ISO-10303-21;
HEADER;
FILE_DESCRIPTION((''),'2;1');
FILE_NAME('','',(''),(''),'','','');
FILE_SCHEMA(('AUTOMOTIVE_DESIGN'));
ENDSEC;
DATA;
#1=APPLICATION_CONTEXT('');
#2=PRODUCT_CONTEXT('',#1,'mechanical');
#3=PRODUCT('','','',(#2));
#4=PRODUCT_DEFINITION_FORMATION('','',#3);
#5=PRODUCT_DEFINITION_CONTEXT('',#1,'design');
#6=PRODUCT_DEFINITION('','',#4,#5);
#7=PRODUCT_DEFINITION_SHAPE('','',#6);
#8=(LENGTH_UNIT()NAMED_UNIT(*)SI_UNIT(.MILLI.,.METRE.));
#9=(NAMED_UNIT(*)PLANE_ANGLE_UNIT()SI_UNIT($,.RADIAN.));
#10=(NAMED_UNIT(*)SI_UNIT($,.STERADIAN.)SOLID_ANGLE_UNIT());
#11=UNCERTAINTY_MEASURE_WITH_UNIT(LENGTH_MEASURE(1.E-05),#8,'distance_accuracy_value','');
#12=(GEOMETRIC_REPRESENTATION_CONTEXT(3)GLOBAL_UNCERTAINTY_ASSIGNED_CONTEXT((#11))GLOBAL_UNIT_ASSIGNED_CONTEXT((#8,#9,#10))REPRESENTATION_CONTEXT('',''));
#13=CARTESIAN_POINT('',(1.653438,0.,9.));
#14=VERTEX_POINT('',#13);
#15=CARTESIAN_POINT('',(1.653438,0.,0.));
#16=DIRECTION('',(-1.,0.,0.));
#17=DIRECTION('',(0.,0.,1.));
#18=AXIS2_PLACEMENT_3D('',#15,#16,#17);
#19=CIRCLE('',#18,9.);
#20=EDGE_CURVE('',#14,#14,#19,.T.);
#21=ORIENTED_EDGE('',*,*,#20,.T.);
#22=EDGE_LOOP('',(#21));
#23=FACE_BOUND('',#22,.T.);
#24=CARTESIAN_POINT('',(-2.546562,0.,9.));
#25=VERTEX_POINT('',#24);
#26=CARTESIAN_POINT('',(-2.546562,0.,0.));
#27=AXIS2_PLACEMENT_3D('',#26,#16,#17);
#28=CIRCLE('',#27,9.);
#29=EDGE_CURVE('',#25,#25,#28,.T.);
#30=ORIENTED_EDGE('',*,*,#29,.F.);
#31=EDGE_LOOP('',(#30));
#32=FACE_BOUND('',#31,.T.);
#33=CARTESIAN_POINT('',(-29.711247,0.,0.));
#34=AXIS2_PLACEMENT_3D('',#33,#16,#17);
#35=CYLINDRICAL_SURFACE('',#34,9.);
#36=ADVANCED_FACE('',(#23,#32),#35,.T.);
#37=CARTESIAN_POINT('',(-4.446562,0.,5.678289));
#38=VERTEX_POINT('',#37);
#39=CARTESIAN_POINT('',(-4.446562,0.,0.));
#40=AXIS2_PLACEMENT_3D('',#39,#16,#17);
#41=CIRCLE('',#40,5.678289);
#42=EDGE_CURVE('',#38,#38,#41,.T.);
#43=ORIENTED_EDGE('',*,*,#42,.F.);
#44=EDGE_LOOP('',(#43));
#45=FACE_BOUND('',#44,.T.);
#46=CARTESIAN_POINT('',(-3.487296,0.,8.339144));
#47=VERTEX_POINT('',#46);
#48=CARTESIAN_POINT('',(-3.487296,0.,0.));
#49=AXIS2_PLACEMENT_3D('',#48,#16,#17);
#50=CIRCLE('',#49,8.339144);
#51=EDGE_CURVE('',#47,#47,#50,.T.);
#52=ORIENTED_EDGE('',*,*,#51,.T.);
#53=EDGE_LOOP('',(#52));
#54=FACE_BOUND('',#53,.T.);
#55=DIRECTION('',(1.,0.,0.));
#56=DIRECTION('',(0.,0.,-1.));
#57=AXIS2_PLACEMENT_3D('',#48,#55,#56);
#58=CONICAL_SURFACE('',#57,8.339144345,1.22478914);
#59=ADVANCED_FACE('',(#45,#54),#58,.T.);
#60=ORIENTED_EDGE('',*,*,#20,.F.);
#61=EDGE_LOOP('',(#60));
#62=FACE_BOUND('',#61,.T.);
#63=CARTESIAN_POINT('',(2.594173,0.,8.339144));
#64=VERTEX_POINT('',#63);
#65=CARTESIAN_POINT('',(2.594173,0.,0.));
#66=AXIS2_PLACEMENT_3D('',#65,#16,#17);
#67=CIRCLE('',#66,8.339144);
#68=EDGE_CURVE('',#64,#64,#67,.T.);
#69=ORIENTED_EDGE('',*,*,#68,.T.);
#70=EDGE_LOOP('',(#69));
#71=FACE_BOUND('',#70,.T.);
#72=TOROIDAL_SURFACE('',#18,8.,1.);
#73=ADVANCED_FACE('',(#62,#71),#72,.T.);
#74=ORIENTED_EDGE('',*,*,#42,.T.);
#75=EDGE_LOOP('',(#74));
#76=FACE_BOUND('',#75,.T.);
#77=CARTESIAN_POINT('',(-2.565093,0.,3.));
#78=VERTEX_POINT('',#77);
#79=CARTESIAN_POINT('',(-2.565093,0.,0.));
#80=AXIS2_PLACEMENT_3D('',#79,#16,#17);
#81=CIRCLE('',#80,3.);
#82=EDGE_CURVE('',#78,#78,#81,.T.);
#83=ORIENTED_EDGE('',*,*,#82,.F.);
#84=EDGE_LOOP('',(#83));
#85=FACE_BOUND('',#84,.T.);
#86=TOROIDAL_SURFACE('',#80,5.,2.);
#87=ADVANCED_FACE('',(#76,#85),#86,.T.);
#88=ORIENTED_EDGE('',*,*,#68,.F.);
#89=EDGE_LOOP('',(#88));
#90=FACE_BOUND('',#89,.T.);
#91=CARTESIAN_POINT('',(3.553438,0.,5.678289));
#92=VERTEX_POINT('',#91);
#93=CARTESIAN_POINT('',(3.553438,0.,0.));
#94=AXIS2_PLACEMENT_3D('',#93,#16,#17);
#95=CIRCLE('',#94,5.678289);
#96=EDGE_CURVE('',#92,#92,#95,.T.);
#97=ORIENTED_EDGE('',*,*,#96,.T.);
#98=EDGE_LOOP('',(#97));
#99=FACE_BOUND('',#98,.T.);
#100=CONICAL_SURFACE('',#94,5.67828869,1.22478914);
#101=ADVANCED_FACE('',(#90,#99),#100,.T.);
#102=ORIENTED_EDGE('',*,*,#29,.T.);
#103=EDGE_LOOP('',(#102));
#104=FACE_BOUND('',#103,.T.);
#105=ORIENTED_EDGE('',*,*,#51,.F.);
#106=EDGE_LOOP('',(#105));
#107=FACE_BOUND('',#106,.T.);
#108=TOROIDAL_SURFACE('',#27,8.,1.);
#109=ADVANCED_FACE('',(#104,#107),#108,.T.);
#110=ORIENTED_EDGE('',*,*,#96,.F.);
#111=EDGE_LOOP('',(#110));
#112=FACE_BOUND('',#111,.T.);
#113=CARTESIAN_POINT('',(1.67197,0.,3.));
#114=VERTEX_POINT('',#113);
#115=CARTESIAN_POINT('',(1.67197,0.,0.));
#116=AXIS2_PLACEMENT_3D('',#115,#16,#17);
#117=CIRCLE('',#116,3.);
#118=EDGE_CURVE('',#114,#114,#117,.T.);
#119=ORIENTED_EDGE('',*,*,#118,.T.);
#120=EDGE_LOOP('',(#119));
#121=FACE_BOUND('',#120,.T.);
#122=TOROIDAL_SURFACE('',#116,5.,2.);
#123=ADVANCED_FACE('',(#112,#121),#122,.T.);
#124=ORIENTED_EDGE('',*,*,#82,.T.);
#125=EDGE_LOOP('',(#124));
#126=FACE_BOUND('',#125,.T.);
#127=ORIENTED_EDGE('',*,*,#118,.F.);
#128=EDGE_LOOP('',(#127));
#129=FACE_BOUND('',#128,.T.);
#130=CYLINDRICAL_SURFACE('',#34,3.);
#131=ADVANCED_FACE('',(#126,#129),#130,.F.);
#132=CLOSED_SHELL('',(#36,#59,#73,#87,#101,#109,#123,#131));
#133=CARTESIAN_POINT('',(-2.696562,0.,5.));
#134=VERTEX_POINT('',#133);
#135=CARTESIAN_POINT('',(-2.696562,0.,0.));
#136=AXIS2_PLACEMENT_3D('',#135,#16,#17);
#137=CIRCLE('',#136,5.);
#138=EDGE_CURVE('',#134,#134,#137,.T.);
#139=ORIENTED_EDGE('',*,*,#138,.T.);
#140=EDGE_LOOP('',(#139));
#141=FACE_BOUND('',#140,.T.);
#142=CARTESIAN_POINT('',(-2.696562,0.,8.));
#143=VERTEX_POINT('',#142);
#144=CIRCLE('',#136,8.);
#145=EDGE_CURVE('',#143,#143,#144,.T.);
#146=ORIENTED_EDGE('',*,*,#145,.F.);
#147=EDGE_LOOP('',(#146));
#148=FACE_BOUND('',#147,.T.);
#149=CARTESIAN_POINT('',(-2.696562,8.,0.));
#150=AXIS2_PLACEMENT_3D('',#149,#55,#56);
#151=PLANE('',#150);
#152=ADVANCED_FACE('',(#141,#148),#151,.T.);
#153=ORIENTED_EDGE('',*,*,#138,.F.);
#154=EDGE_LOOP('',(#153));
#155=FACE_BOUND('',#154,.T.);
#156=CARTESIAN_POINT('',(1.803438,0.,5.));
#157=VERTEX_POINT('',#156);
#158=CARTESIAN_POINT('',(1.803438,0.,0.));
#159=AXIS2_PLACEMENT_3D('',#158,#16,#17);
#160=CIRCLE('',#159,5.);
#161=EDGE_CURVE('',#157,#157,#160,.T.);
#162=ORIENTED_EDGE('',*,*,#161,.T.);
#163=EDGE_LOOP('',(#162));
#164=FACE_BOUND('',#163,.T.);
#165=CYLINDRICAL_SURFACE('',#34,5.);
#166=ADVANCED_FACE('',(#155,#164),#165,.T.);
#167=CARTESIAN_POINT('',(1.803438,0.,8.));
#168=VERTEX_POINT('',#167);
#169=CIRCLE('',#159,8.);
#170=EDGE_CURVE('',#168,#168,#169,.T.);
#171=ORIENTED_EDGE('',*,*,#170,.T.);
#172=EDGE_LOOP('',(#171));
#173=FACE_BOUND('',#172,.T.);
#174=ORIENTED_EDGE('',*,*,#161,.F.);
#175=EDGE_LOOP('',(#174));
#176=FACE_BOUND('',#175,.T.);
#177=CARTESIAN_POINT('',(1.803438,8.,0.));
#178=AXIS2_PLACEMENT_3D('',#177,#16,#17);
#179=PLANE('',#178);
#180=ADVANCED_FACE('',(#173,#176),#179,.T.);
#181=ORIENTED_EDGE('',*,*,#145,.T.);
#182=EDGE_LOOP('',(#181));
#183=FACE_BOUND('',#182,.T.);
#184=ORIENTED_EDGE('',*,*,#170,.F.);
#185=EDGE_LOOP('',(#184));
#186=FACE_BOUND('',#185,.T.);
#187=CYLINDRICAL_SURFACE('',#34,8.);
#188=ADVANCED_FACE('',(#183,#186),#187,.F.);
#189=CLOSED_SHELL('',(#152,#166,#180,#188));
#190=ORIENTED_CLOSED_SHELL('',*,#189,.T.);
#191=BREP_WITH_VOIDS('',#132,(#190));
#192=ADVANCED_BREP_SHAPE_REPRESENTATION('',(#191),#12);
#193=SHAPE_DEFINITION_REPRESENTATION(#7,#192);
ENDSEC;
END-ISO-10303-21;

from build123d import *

# Parameters (mm, degrees)
SKETCH_1_W = 4.5
SKETCH_1_H = 3


with BuildPart() as part:
    # Эскиз1 → Повернуть1 (revolve)
    with BuildSketch(Plane.XY, mode=Mode.PRIVATE) as revolve_1_sk:
        with BuildLine():
            Line((2.59417268, 8.339144345), (3.553438332, 5.67828869))
            ThreePointArc((3.553438332, 5.67828869), (3.308517433, 3.85034296), (1.671969637, 3))
            Line((1.671969637, 3), (-2.565092972, 3))
            ThreePointArc((-2.565092972, 3), (-4.201640768, 3.85034296), (-4.446561668, 5.67828869))
            Line((-4.446561668, 5.67828869), (-3.487296015, 8.339144345))
            ThreePointArc((-3.487296015, 8.339144345), (-3.121390188, 8.818273898), (-2.546561668, 9))
            Line((-2.546561668, 9), (1.653438332, 9))
            ThreePointArc((1.653438332, 9), (2.228266853, 8.818273898), (2.59417268, 8.339144345))
        make_face()
        with Locations((-0.446561668, 6.5)):
            Rectangle(SKETCH_1_W, SKETCH_1_H, mode=Mode.SUBTRACT)
    revolve(revolve_1_sk.sketch.rotate(Axis((-29.711247444, 0, 0), (1, 0, 0)), 90), axis=Axis((-29.711247444, 0, 0), (1, 0, 0)))


solid = part.part
